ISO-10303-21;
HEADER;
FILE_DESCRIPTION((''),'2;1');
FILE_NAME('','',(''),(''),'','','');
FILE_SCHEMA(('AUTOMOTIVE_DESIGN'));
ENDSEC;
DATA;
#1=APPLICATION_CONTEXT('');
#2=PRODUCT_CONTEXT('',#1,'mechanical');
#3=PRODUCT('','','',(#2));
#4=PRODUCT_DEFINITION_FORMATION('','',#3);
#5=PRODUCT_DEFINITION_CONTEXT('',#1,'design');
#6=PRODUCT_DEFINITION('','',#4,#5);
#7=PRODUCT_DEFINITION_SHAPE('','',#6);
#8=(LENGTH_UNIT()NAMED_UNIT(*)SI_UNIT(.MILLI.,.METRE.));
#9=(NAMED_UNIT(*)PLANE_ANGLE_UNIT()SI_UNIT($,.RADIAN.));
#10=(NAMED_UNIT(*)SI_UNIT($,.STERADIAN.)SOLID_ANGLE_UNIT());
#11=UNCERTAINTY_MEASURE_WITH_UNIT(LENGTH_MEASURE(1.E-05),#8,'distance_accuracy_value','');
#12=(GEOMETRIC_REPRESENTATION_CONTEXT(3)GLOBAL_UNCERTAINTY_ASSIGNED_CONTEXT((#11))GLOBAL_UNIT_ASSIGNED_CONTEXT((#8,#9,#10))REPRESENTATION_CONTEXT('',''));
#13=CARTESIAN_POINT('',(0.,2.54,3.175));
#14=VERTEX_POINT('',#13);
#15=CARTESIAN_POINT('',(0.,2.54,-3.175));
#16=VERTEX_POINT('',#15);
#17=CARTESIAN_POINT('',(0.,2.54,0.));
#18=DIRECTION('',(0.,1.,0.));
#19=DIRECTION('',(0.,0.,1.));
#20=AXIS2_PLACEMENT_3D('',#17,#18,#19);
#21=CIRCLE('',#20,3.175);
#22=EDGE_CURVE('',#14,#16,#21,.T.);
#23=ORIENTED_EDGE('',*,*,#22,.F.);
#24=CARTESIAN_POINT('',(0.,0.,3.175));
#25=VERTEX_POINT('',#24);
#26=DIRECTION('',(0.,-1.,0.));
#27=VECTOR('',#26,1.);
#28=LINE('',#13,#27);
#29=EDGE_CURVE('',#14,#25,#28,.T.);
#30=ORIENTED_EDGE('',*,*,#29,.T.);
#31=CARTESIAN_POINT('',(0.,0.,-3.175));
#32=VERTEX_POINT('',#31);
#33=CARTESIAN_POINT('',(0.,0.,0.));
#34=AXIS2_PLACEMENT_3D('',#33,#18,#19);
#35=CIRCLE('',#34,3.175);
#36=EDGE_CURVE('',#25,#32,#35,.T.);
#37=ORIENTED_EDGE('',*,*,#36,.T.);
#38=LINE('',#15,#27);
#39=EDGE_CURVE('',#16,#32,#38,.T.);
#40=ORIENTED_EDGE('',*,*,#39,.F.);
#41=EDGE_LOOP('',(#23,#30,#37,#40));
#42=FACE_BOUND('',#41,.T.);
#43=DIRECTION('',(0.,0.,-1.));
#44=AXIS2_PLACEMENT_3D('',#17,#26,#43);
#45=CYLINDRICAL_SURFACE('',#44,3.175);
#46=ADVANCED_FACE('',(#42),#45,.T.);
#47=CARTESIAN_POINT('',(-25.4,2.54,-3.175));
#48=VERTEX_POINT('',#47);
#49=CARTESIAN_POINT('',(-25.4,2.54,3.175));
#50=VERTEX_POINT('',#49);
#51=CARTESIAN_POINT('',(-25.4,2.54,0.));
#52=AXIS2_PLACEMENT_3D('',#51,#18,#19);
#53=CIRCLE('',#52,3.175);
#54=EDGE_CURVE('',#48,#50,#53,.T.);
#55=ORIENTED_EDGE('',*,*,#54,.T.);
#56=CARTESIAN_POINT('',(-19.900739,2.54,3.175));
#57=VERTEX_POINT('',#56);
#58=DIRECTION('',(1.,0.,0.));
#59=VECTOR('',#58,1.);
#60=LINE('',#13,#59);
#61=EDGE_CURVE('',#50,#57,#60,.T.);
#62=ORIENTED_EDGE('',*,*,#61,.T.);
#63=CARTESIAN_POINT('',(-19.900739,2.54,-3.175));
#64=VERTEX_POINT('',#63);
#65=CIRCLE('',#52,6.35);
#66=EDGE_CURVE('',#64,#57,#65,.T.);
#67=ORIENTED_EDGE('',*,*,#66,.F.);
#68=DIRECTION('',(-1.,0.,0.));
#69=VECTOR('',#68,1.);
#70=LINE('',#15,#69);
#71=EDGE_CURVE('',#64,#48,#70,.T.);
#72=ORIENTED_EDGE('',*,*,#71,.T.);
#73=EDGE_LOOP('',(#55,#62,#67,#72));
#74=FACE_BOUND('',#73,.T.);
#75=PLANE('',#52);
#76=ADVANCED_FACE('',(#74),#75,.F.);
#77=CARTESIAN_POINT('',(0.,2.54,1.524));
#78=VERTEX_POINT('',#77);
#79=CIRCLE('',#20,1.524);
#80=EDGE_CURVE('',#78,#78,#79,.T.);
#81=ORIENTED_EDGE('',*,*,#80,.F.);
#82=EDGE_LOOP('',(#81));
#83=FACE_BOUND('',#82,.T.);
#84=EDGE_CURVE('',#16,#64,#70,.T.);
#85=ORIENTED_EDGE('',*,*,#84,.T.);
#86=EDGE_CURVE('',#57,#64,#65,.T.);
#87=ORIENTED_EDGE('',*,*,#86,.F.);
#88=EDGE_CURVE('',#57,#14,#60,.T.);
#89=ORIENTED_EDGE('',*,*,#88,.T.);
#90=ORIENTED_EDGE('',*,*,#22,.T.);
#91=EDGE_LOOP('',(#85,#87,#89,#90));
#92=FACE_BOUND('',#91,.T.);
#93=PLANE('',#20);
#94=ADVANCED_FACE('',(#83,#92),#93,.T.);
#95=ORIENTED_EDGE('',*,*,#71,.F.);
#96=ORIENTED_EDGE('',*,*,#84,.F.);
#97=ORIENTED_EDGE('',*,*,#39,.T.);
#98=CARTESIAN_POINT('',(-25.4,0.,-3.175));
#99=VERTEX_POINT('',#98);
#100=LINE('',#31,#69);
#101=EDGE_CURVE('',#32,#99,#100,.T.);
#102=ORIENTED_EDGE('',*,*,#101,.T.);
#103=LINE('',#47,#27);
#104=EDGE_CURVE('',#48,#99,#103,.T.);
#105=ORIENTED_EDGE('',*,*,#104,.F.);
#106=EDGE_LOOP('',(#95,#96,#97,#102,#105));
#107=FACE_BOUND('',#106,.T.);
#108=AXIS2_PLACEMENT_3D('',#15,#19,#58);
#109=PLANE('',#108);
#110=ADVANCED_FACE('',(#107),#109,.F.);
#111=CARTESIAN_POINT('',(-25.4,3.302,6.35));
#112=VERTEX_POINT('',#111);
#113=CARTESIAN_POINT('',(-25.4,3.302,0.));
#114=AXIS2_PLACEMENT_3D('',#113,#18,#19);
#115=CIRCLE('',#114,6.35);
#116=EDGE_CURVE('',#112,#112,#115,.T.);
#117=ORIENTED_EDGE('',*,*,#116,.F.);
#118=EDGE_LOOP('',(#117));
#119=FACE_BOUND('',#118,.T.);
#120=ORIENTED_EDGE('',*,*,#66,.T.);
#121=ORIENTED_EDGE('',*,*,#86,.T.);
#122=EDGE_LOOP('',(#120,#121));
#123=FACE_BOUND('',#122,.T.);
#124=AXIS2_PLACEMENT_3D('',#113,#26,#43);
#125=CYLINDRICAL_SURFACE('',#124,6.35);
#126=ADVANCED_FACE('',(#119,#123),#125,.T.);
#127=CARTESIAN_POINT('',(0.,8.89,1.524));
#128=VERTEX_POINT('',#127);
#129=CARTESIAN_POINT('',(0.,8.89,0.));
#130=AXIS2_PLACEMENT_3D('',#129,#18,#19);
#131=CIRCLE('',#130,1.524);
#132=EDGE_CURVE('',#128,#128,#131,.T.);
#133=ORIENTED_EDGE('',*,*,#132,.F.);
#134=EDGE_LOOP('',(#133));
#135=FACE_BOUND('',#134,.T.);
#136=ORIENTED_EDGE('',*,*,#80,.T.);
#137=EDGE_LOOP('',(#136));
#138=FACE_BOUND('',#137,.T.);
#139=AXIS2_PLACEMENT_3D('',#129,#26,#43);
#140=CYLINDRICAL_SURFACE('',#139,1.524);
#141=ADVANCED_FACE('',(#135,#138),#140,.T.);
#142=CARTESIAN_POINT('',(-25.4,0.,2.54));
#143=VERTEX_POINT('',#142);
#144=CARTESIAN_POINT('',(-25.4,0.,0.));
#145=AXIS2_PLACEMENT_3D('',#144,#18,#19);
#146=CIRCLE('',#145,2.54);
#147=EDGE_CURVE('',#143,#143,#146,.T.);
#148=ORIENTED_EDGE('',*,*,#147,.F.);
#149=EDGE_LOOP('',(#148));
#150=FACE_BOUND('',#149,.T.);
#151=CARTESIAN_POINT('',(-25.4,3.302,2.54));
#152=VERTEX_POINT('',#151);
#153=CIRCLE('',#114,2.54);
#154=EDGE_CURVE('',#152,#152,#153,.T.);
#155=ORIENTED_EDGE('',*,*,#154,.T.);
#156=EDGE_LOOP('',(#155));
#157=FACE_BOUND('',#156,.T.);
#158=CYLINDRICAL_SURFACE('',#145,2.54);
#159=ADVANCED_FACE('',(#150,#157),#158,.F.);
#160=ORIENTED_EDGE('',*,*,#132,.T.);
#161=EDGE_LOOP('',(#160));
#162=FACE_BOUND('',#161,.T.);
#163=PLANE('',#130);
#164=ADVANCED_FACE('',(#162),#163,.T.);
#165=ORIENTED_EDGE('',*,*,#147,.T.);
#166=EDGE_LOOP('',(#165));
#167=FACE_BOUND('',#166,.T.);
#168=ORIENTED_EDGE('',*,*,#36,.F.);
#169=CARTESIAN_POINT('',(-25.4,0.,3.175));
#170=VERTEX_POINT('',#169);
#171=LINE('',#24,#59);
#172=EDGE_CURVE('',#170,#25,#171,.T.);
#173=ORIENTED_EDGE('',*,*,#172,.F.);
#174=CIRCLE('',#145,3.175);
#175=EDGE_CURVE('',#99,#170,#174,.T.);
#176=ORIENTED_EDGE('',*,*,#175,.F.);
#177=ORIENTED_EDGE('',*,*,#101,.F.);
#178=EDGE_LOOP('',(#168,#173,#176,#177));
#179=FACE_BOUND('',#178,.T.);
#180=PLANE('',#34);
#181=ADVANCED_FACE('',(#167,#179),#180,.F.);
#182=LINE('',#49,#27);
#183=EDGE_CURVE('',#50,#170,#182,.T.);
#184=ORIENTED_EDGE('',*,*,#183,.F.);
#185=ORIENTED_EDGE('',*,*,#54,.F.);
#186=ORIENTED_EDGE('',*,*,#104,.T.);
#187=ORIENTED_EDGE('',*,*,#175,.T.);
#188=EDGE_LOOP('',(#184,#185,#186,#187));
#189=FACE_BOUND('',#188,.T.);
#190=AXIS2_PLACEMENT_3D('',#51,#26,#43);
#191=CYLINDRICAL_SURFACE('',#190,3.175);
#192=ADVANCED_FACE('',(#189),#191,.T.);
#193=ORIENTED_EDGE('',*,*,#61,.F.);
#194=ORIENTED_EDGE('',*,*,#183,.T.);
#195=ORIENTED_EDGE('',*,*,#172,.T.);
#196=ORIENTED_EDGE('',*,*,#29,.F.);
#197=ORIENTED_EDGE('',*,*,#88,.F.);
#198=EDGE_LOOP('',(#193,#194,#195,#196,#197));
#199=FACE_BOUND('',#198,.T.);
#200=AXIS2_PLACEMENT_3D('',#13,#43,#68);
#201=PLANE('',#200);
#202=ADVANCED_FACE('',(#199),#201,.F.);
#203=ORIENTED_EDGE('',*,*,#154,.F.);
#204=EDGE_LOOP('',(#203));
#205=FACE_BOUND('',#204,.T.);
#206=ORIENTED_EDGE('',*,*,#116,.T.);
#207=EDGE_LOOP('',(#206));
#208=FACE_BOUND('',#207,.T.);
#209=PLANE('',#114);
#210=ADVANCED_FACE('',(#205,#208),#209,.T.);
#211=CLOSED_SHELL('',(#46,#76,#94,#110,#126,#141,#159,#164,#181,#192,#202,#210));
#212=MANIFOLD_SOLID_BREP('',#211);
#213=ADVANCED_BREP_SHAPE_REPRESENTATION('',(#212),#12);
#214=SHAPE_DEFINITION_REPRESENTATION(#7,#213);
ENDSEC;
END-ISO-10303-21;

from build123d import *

# Parameters (mm, degrees)
BOSS_EXTRUDE1_DEPTH = 2.54
SKETCH2_R           = 1.524
BOSS_EXTRUDE2_DEPTH = 6.35
SKETCH3_R           = 2.54
CUT_EXTRUDE1_DEPTH  = 30.443738723
BOSS_EXTRUDE3_START = 0.762
SKETCH4_R           = 6.35
SKETCH4_R_2         = 2.54
BOSS_EXTRUDE3_DEPTH = 0.762


with BuildPart() as part:
    # Sketch1 → Boss-Extrude1 (new body)
    with BuildSketch(Plane(origin=(0, 0, 0), x_dir=(1, 0, 0), z_dir=(0, 1, 0))):
        with BuildLine():
            Line((0, -3.175), (-25.4, -3.175))
            ThreePointArc((-25.4, -3.175), (-28.575, 0), (-25.4, 3.175))
            Line((-25.4, 3.175), (0, 3.175))
            ThreePointArc((0, 3.175), (3.175, 0), (0, -3.175))
        make_face()
    extrude(amount=BOSS_EXTRUDE1_DEPTH)

    # Sketch2 → Boss-Extrude2 (add)
    with BuildSketch(Plane(origin=(0, 2.54, 0), x_dir=(1, 0, 0), z_dir=(0, 1, 0))):
        with Locations(Location((0, 0, 0), (0, 0, 270))):
            Circle(SKETCH2_R)
    extrude(amount=BOSS_EXTRUDE2_DEPTH)

    # Sketch3 → Cut-Extrude1 (cut, through all)
    with BuildSketch(Plane(origin=(0, 2.54, 0), x_dir=(1, 0, 0), z_dir=(0, 1, 0))):
        with Locations(Location((-25.4, 0, 0), (0, 0, 270))):
            Circle(SKETCH3_R)
    extrude(amount=-CUT_EXTRUDE1_DEPTH, mode=Mode.SUBTRACT)

    # Sketch4 → Boss-Extrude3 (add)
    with BuildSketch(Plane(origin=(0, 2.54, 0), x_dir=(1, 0, 0), z_dir=(0, 1, 0)).offset(BOSS_EXTRUDE3_START)):
        with Locations(Location((-25.4, 0, 0), (0, 0, 30))):
            Circle(SKETCH4_R)
        with Locations(Location((-25.4, 0, 0), (0, 0, 270))):
            Circle(SKETCH4_R_2, mode=Mode.SUBTRACT)
    extrude(amount=-BOSS_EXTRUDE3_DEPTH)


solid = part.part
